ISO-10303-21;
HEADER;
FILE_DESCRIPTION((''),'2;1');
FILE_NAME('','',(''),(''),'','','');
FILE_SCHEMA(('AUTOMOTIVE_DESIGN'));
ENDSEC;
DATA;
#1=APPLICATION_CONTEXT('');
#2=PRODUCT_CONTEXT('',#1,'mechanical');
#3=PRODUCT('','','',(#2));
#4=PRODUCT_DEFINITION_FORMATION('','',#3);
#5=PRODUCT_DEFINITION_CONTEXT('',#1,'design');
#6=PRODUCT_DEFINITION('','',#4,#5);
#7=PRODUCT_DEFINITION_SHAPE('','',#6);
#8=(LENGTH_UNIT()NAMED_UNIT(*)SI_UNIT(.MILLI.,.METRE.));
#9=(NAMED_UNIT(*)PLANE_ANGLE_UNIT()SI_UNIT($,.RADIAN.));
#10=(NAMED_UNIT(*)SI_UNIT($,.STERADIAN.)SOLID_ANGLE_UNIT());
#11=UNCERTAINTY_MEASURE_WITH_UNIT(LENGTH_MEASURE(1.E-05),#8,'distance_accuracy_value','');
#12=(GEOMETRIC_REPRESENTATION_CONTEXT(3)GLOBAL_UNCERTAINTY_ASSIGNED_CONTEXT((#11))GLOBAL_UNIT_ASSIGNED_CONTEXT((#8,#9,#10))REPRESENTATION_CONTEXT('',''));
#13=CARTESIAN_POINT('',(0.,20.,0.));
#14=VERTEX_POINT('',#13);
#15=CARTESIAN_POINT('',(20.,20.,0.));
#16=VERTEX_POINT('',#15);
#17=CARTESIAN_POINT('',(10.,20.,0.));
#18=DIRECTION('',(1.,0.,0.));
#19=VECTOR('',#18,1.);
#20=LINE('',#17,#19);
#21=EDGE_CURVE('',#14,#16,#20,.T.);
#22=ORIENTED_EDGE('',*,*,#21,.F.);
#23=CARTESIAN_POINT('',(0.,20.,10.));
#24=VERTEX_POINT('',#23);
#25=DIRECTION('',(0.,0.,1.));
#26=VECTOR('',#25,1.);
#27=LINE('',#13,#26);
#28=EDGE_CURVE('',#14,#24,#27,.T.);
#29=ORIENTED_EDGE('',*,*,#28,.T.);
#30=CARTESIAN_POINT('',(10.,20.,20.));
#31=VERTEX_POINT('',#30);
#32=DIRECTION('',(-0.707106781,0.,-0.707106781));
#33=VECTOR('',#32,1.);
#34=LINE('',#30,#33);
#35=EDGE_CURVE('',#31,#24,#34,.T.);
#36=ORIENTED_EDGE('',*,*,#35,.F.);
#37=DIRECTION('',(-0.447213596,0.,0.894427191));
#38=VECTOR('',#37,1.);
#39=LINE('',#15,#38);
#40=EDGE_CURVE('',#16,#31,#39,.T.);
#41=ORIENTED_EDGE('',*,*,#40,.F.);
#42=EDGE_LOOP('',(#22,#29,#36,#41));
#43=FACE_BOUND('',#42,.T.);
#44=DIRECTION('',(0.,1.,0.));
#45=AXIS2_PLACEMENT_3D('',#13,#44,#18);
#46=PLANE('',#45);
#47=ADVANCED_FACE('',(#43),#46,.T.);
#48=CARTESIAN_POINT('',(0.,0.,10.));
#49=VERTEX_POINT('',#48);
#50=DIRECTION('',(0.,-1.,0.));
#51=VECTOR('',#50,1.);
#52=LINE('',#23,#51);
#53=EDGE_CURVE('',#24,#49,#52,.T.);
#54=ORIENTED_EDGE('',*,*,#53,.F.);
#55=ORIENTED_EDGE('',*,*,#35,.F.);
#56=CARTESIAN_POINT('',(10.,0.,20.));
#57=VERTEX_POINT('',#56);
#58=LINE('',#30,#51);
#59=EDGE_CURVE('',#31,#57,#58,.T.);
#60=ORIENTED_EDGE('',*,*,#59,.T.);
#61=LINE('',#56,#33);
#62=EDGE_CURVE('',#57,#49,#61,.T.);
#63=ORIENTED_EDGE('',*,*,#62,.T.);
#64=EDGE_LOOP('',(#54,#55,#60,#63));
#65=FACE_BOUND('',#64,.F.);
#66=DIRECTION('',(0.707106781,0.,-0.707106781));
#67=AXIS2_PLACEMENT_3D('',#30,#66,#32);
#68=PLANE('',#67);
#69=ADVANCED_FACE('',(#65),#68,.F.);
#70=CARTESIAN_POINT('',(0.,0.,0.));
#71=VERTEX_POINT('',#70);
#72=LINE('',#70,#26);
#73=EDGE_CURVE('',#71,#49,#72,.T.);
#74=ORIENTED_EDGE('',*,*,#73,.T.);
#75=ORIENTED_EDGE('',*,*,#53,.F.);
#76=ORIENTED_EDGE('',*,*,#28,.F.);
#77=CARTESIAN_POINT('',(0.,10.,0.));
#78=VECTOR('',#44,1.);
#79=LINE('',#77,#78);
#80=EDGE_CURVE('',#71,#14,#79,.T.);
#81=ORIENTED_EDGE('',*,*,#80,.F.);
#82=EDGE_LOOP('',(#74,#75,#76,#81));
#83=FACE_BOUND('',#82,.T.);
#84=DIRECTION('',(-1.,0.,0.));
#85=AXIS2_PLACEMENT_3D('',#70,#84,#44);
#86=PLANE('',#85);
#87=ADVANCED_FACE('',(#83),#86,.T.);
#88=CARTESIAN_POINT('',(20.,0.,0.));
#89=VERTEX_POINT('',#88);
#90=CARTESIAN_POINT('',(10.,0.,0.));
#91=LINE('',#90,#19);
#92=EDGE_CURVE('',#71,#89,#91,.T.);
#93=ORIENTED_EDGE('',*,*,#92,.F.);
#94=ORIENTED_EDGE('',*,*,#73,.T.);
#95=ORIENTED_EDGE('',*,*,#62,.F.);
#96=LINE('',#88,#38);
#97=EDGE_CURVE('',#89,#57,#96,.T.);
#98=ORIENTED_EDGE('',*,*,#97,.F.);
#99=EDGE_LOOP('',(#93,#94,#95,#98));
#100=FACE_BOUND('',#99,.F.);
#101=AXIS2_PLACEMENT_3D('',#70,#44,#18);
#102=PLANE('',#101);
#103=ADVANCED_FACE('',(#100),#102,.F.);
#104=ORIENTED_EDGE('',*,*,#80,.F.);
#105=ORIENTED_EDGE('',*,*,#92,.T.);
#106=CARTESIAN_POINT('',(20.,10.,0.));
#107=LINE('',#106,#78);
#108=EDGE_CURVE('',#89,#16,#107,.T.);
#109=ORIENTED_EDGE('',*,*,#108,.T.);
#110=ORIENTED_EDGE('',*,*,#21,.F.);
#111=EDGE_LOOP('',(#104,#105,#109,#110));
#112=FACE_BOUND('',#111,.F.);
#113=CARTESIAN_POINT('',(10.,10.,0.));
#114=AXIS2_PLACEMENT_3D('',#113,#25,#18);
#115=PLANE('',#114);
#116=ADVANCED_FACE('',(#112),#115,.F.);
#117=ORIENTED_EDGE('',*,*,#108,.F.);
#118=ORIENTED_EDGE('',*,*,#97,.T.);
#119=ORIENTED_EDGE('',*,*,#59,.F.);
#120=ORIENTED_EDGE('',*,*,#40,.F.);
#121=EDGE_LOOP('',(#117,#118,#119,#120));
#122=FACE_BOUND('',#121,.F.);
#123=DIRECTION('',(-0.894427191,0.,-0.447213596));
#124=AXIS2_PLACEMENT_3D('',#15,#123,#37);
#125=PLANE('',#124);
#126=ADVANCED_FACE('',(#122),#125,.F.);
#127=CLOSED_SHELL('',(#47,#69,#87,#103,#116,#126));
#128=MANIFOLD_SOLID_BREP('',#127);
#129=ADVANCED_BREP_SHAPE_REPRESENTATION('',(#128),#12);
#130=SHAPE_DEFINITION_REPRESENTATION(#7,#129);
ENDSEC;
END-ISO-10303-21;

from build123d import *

# Parameters (mm, degrees)
SKETCH1_W           = 20
SKETCH1_H           = 20
BOSS_EXTRUDE1_DEPTH = 20
CUT_EXTRUDE1_DEPTH  = 20
CUT_EXTRUDE2_DEPTH  = 20


with BuildPart() as part:
    # Sketch1 → Boss-Extrude1 (new body)
    with BuildSketch(Plane.XY):
        with Locations((10, 10)):
            Rectangle(SKETCH1_W, SKETCH1_H)
    extrude(amount=BOSS_EXTRUDE1_DEPTH)

    # Sketch2 → Cut-Extrude1 (cut)
    with BuildSketch(Plane(origin=(0, 20, 0), x_dir=(1, 0, 0), z_dir=(0, 1, 0))):
        Polygon((20, 0), (10, -20), (20, -20), align=None)
    extrude(amount=-CUT_EXTRUDE1_DEPTH, mode=Mode.SUBTRACT)

    # Sketch3 → Cut-Extrude2 (cut)
    with BuildSketch(Plane(origin=(0, 20, 0), x_dir=(1, 0, 0), z_dir=(0, 1, 0))):
        Polygon((0, -20), (10, -20), (0, -10), align=None)
    extrude(amount=-CUT_EXTRUDE2_DEPTH, mode=Mode.SUBTRACT)


solid = part.part
